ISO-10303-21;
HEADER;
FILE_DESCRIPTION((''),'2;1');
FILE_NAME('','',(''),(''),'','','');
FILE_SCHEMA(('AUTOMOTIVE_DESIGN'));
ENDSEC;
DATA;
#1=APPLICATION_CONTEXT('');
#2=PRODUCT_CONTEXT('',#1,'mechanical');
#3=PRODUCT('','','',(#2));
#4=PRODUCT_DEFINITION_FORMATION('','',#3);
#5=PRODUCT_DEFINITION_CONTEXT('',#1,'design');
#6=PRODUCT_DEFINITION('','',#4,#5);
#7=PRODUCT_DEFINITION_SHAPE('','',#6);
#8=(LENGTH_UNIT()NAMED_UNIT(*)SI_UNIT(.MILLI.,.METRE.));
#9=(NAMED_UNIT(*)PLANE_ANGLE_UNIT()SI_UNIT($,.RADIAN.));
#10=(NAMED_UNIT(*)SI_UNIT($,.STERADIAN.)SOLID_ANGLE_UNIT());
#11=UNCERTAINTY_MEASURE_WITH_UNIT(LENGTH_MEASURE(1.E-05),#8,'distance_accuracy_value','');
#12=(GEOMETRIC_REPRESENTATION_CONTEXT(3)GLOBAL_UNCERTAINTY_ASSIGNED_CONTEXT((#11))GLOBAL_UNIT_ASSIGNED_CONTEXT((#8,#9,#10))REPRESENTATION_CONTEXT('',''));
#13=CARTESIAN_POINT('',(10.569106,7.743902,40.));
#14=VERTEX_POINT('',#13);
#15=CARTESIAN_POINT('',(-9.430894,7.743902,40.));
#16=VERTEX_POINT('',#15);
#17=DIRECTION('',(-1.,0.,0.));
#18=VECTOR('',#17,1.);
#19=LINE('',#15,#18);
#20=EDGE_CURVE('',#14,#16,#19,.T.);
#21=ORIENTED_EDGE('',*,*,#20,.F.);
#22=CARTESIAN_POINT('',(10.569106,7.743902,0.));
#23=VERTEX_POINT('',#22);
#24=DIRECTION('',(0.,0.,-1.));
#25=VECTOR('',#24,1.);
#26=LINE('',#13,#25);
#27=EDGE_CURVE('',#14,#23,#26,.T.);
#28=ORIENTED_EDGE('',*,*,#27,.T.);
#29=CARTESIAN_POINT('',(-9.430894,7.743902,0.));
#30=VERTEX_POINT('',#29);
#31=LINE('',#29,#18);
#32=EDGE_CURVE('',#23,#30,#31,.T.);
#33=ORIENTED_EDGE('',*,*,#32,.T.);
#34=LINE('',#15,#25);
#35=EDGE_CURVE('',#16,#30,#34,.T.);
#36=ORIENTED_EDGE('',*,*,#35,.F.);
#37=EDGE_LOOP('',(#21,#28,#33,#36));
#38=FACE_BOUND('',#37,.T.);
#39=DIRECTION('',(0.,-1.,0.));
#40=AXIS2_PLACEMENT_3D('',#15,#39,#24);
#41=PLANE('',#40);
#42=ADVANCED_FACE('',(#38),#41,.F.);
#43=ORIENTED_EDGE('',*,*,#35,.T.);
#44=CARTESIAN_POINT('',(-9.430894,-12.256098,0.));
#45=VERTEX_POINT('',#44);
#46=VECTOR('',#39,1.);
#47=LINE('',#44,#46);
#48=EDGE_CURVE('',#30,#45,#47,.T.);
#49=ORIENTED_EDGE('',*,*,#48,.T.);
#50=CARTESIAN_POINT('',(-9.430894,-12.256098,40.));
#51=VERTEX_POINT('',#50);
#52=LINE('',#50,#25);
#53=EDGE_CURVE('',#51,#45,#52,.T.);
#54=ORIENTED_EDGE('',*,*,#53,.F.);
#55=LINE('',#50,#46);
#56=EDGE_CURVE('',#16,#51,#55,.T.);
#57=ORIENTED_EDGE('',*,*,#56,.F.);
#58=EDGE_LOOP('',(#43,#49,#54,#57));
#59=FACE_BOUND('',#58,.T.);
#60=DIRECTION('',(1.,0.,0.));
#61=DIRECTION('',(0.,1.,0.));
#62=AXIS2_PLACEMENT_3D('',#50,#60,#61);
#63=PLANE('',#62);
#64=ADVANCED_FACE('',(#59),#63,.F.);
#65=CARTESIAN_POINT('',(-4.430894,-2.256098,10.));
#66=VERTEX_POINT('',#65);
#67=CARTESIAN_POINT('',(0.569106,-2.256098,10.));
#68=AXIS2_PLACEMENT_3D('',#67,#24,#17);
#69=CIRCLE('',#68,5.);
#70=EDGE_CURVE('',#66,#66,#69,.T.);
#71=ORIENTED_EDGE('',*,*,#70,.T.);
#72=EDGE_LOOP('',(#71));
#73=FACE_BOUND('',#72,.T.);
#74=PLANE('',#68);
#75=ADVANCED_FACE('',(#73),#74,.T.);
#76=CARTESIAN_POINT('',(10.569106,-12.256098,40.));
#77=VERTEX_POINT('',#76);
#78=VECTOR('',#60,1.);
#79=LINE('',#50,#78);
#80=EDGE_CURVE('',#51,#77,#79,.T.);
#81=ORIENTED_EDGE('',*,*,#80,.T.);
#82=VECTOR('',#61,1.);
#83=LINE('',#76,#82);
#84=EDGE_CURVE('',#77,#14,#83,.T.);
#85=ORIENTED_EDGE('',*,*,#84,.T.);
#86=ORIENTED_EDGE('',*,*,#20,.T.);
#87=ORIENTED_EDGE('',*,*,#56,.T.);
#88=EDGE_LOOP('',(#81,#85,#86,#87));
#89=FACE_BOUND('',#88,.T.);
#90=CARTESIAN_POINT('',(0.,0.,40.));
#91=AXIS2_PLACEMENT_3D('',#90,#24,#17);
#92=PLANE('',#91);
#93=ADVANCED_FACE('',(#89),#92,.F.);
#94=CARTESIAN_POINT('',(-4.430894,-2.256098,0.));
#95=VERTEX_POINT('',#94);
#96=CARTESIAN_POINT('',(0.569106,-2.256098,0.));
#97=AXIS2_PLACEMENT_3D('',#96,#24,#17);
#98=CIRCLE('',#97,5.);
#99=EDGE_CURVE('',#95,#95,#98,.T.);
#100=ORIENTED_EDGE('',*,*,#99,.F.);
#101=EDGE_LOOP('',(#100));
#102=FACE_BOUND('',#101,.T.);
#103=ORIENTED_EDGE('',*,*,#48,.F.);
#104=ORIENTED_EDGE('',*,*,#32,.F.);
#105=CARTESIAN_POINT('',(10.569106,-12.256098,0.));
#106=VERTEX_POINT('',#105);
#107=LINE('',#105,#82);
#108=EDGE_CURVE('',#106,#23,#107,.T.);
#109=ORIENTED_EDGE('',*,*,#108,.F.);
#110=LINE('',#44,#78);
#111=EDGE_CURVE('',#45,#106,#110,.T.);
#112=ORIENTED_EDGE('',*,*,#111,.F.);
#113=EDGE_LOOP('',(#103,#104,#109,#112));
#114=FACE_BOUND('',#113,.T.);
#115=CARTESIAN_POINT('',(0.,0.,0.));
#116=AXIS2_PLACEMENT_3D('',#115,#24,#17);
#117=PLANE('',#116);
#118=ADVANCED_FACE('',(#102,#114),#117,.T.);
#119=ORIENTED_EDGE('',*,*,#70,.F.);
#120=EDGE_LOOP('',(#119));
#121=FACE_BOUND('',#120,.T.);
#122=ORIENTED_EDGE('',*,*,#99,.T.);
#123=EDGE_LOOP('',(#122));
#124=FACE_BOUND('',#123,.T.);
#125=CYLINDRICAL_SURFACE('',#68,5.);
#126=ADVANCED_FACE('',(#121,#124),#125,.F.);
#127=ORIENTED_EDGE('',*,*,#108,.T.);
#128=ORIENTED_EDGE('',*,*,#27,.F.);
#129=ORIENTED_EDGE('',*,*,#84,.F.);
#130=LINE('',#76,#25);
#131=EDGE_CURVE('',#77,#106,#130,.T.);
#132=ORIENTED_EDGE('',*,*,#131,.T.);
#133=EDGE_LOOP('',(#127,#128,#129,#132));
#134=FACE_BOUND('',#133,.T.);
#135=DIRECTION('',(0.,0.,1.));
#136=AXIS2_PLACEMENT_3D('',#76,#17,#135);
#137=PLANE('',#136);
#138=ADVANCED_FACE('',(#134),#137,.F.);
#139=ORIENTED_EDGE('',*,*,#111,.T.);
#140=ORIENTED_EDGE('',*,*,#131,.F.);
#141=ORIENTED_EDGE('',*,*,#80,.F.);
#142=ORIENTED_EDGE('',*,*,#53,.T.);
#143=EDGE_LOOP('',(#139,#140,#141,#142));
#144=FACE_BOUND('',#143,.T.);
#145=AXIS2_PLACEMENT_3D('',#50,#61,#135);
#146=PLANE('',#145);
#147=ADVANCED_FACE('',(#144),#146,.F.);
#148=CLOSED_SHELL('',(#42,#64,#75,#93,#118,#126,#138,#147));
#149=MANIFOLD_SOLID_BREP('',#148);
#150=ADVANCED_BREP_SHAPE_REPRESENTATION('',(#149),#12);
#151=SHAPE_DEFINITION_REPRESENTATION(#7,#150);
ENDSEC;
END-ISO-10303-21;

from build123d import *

# Parameters (mm, degrees)
SKETCH1_W           = 20
SKETCH1_H           = 20
BOSS_EXTRUDE1_DEPTH = 40
SKETCH2_R           = 5
CUT_EXTRUDE1_DEPTH  = 10


with BuildPart() as part:
    # Sketch1 → Boss-Extrude1 (new body)
    with BuildSketch(Plane.XY):
        with Locations((0.569105691, -2.256097561)):
            Rectangle(SKETCH1_W, SKETCH1_H)
    extrude(amount=BOSS_EXTRUDE1_DEPTH)

    # Sketch2 → Cut-Extrude1 (cut, symmetric)
    with BuildSketch(Plane(origin=(0, 0, 0), x_dir=(-1, 0, 0), z_dir=(0, 0, -1))):
        with Locations((-0.569105691, -2.256097561)):
            Circle(SKETCH2_R)
    extrude(amount=CUT_EXTRUDE1_DEPTH, both=True, mode=Mode.SUBTRACT)


solid = part.part
